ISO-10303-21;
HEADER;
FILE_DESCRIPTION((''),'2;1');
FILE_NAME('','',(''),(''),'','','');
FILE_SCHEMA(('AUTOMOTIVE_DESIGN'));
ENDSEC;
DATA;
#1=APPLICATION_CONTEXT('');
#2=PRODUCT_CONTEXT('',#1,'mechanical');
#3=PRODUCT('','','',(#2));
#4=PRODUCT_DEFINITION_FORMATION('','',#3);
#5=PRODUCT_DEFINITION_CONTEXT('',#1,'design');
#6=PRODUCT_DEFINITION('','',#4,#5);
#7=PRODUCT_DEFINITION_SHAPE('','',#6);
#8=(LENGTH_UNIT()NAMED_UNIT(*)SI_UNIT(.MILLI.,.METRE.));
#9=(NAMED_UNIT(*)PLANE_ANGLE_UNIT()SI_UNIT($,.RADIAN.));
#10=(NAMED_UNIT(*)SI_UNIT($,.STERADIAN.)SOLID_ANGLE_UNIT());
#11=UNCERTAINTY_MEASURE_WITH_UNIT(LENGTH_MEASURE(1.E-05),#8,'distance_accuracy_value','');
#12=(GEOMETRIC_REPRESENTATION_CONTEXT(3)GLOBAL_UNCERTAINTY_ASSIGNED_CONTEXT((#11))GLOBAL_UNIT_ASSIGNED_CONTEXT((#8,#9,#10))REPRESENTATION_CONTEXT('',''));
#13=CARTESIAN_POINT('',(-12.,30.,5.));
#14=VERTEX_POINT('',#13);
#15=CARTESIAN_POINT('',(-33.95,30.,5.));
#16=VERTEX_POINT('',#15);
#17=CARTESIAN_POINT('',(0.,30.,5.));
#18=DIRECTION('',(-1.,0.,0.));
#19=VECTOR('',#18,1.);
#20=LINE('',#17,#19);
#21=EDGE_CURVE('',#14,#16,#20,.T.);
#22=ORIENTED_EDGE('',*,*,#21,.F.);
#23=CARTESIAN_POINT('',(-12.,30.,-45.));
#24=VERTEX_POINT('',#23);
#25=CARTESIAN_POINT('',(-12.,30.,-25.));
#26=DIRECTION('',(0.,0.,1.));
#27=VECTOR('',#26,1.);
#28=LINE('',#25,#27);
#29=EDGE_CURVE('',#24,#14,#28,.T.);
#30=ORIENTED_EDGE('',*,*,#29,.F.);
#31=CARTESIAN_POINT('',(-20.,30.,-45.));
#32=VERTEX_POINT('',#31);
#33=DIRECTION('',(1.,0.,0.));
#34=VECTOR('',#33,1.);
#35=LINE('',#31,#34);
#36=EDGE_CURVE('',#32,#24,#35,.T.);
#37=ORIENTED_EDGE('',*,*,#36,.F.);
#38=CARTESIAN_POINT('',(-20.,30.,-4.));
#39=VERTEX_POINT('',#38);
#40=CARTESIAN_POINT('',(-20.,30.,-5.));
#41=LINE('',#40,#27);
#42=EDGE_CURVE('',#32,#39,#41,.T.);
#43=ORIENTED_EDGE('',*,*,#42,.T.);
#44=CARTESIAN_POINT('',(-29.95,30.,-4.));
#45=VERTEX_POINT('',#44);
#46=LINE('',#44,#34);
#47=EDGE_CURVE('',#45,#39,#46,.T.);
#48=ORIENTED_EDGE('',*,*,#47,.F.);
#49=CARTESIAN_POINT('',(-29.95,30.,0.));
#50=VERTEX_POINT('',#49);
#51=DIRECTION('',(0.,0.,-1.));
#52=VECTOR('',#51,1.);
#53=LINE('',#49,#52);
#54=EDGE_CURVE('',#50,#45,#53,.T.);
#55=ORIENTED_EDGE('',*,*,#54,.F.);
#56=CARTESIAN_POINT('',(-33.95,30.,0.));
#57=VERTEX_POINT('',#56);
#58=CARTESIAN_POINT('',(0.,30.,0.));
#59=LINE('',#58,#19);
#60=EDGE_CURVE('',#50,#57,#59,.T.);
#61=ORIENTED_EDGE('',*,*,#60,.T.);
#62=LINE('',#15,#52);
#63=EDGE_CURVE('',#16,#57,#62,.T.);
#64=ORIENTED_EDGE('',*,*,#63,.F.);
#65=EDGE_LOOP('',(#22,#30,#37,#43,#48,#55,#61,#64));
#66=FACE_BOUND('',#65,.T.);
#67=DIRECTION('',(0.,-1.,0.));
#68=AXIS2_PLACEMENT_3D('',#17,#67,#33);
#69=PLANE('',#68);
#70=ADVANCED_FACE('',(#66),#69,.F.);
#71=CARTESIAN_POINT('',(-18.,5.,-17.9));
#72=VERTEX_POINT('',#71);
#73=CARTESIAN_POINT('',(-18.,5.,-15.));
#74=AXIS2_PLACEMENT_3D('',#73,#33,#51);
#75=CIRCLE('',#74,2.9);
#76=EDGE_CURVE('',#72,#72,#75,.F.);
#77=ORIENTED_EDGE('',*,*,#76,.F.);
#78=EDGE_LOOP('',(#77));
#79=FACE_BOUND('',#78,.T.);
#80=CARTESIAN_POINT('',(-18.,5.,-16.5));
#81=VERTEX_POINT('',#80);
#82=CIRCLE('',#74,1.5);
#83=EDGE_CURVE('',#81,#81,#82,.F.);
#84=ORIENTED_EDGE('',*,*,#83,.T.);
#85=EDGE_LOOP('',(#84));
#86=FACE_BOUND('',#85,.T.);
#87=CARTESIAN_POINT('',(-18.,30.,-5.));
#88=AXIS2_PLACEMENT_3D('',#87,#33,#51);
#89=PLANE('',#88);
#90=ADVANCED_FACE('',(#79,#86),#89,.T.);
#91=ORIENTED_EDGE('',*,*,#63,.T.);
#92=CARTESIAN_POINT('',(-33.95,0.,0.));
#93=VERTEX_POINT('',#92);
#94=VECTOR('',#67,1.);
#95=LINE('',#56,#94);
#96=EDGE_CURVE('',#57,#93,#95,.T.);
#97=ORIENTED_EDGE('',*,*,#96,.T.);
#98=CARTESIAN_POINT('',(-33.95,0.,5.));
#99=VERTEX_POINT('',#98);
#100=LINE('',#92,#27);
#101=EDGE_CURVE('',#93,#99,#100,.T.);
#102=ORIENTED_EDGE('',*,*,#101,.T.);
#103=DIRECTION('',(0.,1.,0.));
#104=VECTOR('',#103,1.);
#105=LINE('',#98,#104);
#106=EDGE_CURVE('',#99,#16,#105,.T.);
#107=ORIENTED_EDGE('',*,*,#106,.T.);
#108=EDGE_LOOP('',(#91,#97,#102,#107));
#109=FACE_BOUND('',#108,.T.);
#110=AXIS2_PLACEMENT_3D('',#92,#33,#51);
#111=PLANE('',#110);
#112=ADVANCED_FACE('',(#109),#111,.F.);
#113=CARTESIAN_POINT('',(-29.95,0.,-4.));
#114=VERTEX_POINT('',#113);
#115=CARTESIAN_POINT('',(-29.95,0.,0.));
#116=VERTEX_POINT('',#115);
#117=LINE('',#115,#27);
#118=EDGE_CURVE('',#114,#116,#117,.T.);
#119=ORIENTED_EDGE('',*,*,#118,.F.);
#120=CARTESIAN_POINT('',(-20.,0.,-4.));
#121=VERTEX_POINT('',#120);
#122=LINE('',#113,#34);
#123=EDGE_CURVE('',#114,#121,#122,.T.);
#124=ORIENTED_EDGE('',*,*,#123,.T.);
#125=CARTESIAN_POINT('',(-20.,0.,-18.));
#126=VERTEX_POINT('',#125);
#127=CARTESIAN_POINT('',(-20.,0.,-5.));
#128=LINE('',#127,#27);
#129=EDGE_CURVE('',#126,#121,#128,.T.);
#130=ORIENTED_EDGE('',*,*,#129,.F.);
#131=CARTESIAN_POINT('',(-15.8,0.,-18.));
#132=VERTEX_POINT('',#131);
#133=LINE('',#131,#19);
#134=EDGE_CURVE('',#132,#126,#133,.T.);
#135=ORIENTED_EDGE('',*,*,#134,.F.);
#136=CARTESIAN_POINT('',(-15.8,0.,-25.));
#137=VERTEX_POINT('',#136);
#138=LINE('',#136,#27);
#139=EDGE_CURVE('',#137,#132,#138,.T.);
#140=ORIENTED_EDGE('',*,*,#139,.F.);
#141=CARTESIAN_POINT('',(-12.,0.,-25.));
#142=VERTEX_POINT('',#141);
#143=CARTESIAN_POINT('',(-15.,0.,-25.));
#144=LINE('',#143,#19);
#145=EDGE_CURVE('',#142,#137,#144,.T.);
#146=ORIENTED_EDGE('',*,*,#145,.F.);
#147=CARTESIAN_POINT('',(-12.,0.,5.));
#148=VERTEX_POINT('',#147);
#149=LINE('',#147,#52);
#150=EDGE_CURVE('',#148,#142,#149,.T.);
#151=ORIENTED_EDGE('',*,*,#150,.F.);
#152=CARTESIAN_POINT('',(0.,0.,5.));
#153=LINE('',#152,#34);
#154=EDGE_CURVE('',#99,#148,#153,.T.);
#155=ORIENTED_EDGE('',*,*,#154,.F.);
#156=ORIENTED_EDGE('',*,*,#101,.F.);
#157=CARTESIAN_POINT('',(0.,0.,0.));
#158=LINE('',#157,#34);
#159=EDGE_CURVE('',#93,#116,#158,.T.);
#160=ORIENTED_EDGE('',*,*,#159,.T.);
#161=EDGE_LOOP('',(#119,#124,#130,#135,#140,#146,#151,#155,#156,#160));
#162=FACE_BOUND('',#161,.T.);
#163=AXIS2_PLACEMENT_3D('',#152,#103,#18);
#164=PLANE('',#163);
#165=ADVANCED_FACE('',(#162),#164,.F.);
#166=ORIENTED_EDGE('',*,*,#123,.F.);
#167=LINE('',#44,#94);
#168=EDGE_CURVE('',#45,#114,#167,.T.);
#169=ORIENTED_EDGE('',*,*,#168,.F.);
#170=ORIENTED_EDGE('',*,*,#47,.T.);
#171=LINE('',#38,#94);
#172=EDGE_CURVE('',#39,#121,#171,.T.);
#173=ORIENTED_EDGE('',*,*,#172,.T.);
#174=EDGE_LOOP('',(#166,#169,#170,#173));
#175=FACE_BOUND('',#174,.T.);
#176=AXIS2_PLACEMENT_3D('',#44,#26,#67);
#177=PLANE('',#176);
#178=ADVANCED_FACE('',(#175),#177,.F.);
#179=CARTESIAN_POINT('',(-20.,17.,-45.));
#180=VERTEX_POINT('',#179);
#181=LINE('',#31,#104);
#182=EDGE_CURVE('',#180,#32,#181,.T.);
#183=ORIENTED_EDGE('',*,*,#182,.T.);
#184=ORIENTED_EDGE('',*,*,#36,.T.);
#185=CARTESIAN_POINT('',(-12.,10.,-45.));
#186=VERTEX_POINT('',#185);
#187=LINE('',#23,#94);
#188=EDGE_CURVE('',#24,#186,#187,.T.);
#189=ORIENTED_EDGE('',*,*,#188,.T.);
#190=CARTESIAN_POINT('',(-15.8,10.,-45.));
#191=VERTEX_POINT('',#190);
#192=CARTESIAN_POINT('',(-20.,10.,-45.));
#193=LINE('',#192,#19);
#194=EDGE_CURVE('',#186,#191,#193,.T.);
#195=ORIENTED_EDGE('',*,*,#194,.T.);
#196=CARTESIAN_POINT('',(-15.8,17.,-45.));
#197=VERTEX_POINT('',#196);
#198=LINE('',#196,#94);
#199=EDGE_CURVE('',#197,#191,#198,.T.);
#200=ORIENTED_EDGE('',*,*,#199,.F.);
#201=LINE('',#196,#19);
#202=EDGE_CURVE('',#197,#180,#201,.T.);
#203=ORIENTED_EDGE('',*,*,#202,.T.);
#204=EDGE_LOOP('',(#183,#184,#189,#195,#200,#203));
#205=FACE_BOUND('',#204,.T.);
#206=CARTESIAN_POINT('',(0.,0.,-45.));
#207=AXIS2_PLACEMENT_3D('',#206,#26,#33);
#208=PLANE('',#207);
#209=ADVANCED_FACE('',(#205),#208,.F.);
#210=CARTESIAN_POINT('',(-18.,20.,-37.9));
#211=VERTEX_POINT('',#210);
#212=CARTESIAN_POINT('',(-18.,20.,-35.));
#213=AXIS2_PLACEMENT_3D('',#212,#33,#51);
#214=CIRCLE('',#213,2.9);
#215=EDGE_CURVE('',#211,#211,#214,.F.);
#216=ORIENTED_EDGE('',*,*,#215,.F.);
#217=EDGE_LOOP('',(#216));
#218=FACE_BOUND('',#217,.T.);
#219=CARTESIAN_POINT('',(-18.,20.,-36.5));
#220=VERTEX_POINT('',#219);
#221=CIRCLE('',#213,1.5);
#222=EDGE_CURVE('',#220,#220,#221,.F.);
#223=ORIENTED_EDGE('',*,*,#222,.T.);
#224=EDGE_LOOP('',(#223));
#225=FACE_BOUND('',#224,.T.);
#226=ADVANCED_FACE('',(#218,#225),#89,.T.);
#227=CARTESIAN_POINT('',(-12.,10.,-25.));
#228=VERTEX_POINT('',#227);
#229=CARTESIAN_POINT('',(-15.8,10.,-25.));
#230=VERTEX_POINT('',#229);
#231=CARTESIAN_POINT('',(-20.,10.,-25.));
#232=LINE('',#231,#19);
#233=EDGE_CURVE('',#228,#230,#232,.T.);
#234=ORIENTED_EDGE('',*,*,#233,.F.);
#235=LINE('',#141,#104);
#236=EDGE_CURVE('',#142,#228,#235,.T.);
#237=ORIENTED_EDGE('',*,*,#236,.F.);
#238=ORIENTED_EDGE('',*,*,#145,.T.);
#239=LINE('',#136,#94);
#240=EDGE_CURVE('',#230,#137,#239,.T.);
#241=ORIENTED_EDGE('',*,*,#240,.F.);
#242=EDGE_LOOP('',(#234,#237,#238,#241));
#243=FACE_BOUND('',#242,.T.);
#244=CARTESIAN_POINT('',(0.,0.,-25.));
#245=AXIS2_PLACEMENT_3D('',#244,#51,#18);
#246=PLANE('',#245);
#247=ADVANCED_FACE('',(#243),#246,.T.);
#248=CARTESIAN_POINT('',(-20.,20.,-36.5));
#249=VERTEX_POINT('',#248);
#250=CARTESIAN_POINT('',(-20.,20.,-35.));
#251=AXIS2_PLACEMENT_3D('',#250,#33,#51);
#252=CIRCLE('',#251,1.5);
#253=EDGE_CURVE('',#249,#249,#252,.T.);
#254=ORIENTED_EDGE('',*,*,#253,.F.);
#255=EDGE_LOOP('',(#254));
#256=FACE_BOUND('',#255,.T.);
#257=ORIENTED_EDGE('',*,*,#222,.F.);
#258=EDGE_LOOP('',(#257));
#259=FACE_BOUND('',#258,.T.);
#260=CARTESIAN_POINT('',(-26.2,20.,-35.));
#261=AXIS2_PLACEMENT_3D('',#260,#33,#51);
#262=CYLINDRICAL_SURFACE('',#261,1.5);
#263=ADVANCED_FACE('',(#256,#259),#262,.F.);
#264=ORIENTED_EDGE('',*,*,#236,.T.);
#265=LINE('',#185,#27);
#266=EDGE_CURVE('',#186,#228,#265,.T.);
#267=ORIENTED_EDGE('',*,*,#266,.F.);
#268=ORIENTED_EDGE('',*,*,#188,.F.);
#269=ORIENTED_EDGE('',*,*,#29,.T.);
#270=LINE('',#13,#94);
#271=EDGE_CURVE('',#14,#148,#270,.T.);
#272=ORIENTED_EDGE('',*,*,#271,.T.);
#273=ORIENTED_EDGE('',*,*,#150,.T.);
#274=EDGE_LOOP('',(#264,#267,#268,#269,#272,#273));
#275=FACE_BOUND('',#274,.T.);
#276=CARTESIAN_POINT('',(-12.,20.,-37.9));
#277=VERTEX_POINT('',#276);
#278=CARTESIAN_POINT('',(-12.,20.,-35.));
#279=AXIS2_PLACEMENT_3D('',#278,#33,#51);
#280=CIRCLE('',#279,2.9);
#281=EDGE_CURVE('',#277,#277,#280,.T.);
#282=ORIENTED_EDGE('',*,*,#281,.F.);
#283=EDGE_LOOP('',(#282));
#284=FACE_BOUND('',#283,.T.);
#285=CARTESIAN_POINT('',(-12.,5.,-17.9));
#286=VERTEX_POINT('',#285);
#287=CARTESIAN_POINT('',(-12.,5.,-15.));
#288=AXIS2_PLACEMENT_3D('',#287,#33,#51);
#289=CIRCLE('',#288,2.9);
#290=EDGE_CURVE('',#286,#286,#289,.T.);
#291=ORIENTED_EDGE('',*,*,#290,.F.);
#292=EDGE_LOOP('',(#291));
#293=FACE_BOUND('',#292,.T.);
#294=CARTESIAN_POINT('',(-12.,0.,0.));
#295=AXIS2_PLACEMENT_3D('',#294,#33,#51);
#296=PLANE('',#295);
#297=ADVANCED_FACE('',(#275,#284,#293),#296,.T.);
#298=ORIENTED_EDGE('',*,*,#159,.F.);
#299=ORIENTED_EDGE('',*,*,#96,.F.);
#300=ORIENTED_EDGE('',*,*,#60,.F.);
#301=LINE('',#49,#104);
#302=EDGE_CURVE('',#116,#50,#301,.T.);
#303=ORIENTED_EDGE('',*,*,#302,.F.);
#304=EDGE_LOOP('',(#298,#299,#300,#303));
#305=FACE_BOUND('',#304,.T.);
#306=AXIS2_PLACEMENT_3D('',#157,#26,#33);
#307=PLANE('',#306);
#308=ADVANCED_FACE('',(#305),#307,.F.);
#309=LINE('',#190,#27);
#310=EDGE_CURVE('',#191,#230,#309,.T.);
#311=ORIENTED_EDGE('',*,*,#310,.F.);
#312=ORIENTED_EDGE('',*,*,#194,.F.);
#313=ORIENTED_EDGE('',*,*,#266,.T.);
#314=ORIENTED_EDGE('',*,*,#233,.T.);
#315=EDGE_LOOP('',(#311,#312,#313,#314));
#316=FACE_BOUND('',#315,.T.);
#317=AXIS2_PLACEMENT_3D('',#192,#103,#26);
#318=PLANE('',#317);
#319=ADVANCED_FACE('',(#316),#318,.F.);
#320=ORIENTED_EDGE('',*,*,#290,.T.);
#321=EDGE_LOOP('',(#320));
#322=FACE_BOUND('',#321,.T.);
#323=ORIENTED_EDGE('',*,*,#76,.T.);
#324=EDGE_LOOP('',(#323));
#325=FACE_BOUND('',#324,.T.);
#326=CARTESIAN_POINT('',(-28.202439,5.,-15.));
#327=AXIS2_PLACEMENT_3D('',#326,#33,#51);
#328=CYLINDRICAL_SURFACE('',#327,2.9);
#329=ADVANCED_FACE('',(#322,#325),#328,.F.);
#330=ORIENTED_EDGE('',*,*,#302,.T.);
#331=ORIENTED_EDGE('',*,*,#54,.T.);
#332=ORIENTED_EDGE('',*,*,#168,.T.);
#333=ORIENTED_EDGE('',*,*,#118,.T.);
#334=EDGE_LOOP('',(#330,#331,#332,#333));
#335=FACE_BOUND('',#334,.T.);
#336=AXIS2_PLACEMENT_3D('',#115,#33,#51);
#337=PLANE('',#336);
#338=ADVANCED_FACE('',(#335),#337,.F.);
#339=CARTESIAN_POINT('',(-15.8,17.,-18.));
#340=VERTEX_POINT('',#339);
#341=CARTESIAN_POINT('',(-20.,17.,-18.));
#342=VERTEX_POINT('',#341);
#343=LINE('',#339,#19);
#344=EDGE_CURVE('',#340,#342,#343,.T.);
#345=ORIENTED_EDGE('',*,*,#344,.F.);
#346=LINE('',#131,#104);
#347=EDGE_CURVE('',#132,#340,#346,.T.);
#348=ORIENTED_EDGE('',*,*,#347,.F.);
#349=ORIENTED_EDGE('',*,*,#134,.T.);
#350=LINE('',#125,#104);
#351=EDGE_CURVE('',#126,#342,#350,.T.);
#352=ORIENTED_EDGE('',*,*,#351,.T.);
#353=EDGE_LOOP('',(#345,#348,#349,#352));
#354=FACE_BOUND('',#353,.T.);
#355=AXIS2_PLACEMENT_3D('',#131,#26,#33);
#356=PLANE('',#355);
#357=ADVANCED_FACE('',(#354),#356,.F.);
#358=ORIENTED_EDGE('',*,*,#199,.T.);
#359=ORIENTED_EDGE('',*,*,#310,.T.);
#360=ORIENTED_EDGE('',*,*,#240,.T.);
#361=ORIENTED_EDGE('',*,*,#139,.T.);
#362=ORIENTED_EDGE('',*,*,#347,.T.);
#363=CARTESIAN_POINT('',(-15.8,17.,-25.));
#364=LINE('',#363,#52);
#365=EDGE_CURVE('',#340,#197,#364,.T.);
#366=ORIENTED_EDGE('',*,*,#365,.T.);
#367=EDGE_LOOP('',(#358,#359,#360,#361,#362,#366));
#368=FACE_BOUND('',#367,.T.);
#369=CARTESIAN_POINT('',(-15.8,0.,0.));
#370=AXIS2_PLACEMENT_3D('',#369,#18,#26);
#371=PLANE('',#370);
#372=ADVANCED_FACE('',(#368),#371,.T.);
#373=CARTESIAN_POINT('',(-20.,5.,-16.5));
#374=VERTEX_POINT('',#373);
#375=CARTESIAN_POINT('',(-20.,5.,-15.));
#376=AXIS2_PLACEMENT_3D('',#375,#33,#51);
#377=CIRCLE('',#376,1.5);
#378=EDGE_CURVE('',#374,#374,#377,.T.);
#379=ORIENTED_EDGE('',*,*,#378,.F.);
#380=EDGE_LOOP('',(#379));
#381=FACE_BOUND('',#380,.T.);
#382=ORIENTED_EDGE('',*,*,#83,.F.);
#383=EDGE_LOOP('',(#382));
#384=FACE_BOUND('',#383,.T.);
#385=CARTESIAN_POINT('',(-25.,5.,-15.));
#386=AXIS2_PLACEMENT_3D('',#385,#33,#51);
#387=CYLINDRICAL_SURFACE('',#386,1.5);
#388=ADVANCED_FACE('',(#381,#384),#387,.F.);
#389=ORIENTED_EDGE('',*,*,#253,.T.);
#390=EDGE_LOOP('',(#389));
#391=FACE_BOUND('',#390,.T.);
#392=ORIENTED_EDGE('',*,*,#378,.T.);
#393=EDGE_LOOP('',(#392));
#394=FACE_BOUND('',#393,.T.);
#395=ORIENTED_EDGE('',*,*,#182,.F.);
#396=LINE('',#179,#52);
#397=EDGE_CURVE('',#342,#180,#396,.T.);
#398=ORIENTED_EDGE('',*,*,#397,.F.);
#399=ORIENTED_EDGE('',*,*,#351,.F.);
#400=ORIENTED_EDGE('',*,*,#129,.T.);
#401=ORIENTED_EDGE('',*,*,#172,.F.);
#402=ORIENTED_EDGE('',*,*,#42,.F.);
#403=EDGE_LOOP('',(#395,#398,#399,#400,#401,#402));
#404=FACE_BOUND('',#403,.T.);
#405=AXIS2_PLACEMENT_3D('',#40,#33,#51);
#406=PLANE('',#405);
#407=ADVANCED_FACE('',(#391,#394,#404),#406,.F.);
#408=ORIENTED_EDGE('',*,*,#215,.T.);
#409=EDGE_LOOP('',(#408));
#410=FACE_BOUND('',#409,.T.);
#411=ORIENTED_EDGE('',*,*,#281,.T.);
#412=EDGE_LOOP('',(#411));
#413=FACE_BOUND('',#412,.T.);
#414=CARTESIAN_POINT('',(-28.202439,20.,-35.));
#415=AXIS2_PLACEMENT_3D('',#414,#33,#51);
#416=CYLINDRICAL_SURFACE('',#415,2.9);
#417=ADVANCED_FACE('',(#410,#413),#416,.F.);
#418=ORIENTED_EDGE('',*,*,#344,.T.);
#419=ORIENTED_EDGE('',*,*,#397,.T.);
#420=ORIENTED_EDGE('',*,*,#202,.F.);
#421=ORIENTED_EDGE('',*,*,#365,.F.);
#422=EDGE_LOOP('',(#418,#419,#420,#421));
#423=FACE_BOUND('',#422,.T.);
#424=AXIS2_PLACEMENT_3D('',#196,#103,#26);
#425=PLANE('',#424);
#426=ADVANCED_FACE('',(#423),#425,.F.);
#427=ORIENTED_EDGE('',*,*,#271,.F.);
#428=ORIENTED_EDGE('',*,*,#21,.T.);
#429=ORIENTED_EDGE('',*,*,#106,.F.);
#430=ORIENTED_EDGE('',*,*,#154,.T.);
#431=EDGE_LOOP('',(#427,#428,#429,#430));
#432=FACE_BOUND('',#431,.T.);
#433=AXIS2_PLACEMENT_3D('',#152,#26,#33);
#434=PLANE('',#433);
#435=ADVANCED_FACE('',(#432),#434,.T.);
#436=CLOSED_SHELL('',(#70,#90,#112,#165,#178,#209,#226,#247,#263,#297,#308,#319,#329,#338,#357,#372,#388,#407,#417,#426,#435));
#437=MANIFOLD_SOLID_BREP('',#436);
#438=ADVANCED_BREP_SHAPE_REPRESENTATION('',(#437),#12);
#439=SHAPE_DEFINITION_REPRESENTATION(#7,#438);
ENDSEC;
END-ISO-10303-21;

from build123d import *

# Parameters (mm, degrees)
SKETCH_1_W           = 40
SKETCH_1_H           = 30
EXTRUDE_1_DEPTH      = 5
SKETCH_2_W           = 5
SKETCH_2_H           = 30
EXTRUDE_2_DEPTH      = 20
SKETCH_3_W           = 20
SKETCH_3_H           = 30
EXTRUDE_3_DEPTH      = 5
SKETCH_4_W           = 15
SKETCH_4_H           = 30
CUT_EXTRUDE_1_DEPTH  = 5
SKETCH_6_R           = 1.5
CUT_EXTRUDE_3_DEPTH  = 5
SKETCH_7_W           = 15
SKETCH_7_H           = 30
CUT_EXTRUDE_4_DEPTH  = 5
SKETCH_8_W           = 5
SKETCH_8_H           = 30
EXTRUDE_4_DEPTH      = 20
SKETCH_9_W           = 30
SKETCH_9_H           = 30
EXTRUDE_5_DEPTH      = 3
SKETCH_10_R          = 1.5
CUT_EXTRUDE_5_DEPTH  = 13
SKETCH_11_R          = 2.9
CUT_EXTRUDE_6_DEPTH  = 6
SKETCH_12_W          = 8
SKETCH_12_H          = 20
EXTRUDE_6_DEPTH      = 20
CUT_EXTRUDE_7_DEPTH  = 4.2
SKETCH_14_R          = 1.5
CUT_EXTRUDE_8_DEPTH  = 14.2
SKETCH_15_R          = 2.9
CUT_EXTRUDE_9_DEPTH  = 6
SKETCH_16_W          = 4
SKETCH_16_H          = 30
EXTRUDE_7_DEPTH      = 9.95
SKETCH_17_W          = 5
SKETCH_17_H          = 30
CUT_EXTRUDE_10_DEPTH = 26.05


with BuildPart() as part:
    # 草图1 → 凸台-拉伸1 (new body)
    with BuildSketch(Plane.XY):
        with Locations((-20, 15)):
            Rectangle(SKETCH_1_W, SKETCH_1_H)
    extrude(amount=EXTRUDE_1_DEPTH)

    # 草图2 → 凸台-拉伸2 (add)
    with BuildSketch(Plane.ZY.offset(40)):
        with Locations((2.5, 15)):
            Rectangle(SKETCH_2_W, SKETCH_2_H)
    extrude(amount=EXTRUDE_2_DEPTH)

    # 草图3 → 凸台-拉伸3 (add)
    with BuildSketch(Plane(origin=(0, 0, 0), x_dir=(-1, 0, 0), z_dir=(0, 0, -1))):
        with Locations((10, 15)):
            Rectangle(SKETCH_3_W, SKETCH_3_H)
    extrude(amount=EXTRUDE_3_DEPTH)

    # 草图4 → 切除-拉伸1 (cut)
    with BuildSketch(Plane.XY.offset(5)):
        with Locations((-7.5, 15)):
            Rectangle(SKETCH_4_W, SKETCH_4_H)
    extrude(amount=-CUT_EXTRUDE_1_DEPTH, mode=Mode.SUBTRACT)

    # 草图6 → 切除-拉伸3 (cut)
    with BuildSketch(Plane.XY):
        with Locations((-7.5, 25)):
            Circle(SKETCH_6_R)
        with Locations((-7.5, 5)):
            Circle(SKETCH_6_R)
    extrude(amount=-CUT_EXTRUDE_3_DEPTH, mode=Mode.SUBTRACT)

    # 草图7 → 切除-拉伸4 (cut)
    with BuildSketch(Plane.XY):
        with Locations((-7.5, 15)):
            Rectangle(SKETCH_7_W, SKETCH_7_H)
    extrude(amount=-CUT_EXTRUDE_4_DEPTH, mode=Mode.SUBTRACT)

    # 草图8 → 凸台-拉伸4 (add)
    with BuildSketch(Plane(origin=(0, 0, -5), x_dir=(-1, 0, 0), z_dir=(0, 0, -1))):
        with Locations((17.5, 15)):
            Rectangle(SKETCH_8_W, SKETCH_8_H)
    extrude(amount=EXTRUDE_4_DEPTH)

    # 草图9 → 凸台-拉伸5 (add)
    with BuildSketch(Plane(origin=(-15, 0, 0), x_dir=(0, 0, -1), z_dir=(1, 0, 0))):
        with Locations((10, 15)):
            Rectangle(SKETCH_9_W, SKETCH_9_H)
    extrude(amount=EXTRUDE_5_DEPTH)

    # 草图10 → 切除-拉伸5 (cut)
    with BuildSketch(Plane(origin=(-12, 0, 0), x_dir=(0, 0, -1), z_dir=(1, 0, 0))):
        with Locations((15, 5)):
            Circle(SKETCH_10_R)
    extrude(amount=-CUT_EXTRUDE_5_DEPTH, mode=Mode.SUBTRACT)

    # 草图11 → 切除-拉伸6 (cut)
    with BuildSketch(Plane(origin=(-12, 0, 0), x_dir=(0, 0, -1), z_dir=(1, 0, 0))):
        with Locations((15, 5)):
            Circle(SKETCH_11_R)
    extrude(amount=-CUT_EXTRUDE_6_DEPTH, mode=Mode.SUBTRACT)

    # 草图12 → 凸台-拉伸6 (add)
    with BuildSketch(Plane(origin=(0, 0, -25), x_dir=(-1, 0, 0), z_dir=(0, 0, -1))):
        with Locations((16, 20)):
            Rectangle(SKETCH_12_W, SKETCH_12_H)
    extrude(amount=EXTRUDE_6_DEPTH)

    # 草图13 → 切除-拉伸7 (cut)
    with BuildSketch(Plane.ZY.offset(20)):
        Polygon((-45, 17), (-25, 17), (-18, 17), (-18, 0), (-25, 0), (-25, 10), (-45, 10), align=None)
    extrude(amount=-CUT_EXTRUDE_7_DEPTH, mode=Mode.SUBTRACT)

    # 草图14 → 切除-拉伸8 (cut)
    with BuildSketch(Plane(origin=(-12, 0, 0), x_dir=(0, 0, -1), z_dir=(1, 0, 0))):
        with Locations((35, 20)):
            Circle(SKETCH_14_R)
    extrude(amount=-CUT_EXTRUDE_8_DEPTH, mode=Mode.SUBTRACT)

    # 草图15 → 切除-拉伸9 (cut)
    with BuildSketch(Plane(origin=(-12, 0, 0), x_dir=(0, 0, -1), z_dir=(1, 0, 0))):
        with Locations((35, 20)):
            Circle(SKETCH_15_R)
    extrude(amount=-CUT_EXTRUDE_9_DEPTH, mode=Mode.SUBTRACT)

    # 草图16 → 凸台-拉伸7 (add)
    with BuildSketch(Plane.ZY.offset(20)):
        with Locations((-2, 15)):
            Rectangle(SKETCH_16_W, SKETCH_16_H)
    extrude(amount=EXTRUDE_7_DEPTH)

    # 草图17 → 切除-拉伸10 (cut)
    with BuildSketch(Plane.ZY.offset(60)):
        with Locations((2.5, 15)):
            Rectangle(SKETCH_17_W, SKETCH_17_H)
    extrude(amount=-CUT_EXTRUDE_10_DEPTH, mode=Mode.SUBTRACT)


solid = part.part
